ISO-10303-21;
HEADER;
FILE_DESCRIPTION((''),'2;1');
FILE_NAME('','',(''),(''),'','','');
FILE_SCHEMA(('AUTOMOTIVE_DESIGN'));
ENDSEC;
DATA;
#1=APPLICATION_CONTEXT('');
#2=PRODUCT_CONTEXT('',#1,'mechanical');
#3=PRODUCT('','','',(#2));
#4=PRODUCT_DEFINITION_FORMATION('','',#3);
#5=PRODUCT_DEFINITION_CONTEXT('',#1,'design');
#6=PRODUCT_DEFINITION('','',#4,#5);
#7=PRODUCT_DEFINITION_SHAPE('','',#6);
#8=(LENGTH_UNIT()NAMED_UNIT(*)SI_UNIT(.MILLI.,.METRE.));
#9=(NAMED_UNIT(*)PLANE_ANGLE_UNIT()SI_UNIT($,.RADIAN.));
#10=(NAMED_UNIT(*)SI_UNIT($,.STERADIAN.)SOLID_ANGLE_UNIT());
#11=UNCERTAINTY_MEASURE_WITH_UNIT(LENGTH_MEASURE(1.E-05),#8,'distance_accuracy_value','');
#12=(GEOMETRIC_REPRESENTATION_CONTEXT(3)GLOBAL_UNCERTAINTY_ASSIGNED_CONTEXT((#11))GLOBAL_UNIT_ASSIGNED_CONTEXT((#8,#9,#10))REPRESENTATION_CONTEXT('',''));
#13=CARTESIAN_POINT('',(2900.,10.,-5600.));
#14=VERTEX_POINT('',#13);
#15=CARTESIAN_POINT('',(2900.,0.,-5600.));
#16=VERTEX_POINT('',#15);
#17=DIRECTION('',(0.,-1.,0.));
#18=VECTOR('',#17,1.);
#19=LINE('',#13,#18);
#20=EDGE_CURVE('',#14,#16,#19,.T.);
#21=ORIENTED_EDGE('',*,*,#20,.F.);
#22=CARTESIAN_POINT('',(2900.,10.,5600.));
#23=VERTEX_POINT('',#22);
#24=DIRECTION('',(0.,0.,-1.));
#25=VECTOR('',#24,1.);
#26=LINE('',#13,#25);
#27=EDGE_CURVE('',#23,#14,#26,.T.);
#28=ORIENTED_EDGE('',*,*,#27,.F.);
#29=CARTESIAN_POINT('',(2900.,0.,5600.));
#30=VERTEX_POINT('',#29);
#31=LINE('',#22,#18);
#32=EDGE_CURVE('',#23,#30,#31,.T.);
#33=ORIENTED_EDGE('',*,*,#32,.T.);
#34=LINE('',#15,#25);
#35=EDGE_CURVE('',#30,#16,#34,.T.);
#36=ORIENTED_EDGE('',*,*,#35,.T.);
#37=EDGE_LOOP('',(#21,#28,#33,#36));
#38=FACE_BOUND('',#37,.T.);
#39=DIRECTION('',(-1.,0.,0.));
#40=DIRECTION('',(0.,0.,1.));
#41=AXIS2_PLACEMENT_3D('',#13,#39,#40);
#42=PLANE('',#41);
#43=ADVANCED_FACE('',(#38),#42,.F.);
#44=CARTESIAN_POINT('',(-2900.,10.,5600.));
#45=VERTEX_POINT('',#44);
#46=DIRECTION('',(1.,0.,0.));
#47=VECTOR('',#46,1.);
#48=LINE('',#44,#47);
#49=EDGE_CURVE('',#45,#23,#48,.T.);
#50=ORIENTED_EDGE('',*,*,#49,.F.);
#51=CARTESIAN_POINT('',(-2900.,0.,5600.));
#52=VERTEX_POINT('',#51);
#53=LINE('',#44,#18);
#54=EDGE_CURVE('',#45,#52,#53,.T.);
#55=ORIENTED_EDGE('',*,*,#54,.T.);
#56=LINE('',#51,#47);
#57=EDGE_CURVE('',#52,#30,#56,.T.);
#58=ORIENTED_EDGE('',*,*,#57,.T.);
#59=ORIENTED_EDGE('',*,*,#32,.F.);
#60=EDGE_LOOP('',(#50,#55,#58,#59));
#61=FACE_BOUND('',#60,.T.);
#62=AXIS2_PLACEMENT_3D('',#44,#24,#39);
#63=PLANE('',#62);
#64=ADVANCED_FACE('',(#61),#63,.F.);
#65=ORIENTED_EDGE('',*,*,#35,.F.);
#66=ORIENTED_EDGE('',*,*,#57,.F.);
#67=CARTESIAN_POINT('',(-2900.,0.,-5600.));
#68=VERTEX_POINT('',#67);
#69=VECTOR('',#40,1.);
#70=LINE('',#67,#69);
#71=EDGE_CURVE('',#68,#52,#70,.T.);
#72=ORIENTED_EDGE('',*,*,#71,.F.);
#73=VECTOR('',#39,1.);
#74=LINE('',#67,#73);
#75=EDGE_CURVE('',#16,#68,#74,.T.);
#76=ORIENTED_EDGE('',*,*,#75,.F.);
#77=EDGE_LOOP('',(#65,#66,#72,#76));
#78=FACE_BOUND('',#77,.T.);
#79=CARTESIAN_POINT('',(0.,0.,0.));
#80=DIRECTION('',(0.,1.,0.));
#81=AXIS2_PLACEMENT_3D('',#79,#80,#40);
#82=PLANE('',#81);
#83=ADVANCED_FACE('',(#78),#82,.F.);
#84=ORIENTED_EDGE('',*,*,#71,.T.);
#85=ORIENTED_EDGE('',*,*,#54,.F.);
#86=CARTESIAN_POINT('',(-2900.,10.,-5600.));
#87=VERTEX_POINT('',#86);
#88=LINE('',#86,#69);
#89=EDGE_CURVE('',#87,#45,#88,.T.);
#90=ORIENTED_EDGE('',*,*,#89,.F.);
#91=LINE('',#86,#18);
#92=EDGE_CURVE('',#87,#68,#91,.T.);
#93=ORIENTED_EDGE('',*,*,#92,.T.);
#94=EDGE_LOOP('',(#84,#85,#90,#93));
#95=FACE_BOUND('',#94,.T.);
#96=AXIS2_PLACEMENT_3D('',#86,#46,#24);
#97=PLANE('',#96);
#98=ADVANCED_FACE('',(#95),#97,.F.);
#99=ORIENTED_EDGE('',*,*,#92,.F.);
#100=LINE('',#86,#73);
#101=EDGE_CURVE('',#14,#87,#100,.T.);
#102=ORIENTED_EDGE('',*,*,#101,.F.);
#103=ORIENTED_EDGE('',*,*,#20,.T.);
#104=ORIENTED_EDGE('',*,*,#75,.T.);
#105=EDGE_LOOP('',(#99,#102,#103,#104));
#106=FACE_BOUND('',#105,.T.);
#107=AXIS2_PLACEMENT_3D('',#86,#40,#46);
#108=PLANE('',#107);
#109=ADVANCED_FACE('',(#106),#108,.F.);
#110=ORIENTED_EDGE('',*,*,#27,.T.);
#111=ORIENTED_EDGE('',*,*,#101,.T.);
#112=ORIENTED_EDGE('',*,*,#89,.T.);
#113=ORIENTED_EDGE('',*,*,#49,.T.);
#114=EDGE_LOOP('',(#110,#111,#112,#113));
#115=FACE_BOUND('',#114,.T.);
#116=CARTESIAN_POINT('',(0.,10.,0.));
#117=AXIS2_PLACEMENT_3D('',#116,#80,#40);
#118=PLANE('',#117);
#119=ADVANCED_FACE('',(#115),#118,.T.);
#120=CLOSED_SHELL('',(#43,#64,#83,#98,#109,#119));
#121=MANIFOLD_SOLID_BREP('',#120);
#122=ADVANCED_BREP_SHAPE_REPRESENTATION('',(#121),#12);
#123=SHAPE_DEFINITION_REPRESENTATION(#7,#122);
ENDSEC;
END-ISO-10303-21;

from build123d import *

# Parameters (mm, degrees)
ESQUISSE1_W        = 5800
ESQUISSE1_H        = 11200
BOSS_EXTRU_1_DEPTH = 10


with BuildPart() as part:
    # Esquisse1 → Boss.-Extru.1 (new body)
    with BuildSketch(Plane(origin=(0, 0, 0), x_dir=(1, 0, 0), z_dir=(0, 1, 0))):
        Rectangle(ESQUISSE1_W, ESQUISSE1_H)
    extrude(amount=BOSS_EXTRU_1_DEPTH)


solid = part.part
